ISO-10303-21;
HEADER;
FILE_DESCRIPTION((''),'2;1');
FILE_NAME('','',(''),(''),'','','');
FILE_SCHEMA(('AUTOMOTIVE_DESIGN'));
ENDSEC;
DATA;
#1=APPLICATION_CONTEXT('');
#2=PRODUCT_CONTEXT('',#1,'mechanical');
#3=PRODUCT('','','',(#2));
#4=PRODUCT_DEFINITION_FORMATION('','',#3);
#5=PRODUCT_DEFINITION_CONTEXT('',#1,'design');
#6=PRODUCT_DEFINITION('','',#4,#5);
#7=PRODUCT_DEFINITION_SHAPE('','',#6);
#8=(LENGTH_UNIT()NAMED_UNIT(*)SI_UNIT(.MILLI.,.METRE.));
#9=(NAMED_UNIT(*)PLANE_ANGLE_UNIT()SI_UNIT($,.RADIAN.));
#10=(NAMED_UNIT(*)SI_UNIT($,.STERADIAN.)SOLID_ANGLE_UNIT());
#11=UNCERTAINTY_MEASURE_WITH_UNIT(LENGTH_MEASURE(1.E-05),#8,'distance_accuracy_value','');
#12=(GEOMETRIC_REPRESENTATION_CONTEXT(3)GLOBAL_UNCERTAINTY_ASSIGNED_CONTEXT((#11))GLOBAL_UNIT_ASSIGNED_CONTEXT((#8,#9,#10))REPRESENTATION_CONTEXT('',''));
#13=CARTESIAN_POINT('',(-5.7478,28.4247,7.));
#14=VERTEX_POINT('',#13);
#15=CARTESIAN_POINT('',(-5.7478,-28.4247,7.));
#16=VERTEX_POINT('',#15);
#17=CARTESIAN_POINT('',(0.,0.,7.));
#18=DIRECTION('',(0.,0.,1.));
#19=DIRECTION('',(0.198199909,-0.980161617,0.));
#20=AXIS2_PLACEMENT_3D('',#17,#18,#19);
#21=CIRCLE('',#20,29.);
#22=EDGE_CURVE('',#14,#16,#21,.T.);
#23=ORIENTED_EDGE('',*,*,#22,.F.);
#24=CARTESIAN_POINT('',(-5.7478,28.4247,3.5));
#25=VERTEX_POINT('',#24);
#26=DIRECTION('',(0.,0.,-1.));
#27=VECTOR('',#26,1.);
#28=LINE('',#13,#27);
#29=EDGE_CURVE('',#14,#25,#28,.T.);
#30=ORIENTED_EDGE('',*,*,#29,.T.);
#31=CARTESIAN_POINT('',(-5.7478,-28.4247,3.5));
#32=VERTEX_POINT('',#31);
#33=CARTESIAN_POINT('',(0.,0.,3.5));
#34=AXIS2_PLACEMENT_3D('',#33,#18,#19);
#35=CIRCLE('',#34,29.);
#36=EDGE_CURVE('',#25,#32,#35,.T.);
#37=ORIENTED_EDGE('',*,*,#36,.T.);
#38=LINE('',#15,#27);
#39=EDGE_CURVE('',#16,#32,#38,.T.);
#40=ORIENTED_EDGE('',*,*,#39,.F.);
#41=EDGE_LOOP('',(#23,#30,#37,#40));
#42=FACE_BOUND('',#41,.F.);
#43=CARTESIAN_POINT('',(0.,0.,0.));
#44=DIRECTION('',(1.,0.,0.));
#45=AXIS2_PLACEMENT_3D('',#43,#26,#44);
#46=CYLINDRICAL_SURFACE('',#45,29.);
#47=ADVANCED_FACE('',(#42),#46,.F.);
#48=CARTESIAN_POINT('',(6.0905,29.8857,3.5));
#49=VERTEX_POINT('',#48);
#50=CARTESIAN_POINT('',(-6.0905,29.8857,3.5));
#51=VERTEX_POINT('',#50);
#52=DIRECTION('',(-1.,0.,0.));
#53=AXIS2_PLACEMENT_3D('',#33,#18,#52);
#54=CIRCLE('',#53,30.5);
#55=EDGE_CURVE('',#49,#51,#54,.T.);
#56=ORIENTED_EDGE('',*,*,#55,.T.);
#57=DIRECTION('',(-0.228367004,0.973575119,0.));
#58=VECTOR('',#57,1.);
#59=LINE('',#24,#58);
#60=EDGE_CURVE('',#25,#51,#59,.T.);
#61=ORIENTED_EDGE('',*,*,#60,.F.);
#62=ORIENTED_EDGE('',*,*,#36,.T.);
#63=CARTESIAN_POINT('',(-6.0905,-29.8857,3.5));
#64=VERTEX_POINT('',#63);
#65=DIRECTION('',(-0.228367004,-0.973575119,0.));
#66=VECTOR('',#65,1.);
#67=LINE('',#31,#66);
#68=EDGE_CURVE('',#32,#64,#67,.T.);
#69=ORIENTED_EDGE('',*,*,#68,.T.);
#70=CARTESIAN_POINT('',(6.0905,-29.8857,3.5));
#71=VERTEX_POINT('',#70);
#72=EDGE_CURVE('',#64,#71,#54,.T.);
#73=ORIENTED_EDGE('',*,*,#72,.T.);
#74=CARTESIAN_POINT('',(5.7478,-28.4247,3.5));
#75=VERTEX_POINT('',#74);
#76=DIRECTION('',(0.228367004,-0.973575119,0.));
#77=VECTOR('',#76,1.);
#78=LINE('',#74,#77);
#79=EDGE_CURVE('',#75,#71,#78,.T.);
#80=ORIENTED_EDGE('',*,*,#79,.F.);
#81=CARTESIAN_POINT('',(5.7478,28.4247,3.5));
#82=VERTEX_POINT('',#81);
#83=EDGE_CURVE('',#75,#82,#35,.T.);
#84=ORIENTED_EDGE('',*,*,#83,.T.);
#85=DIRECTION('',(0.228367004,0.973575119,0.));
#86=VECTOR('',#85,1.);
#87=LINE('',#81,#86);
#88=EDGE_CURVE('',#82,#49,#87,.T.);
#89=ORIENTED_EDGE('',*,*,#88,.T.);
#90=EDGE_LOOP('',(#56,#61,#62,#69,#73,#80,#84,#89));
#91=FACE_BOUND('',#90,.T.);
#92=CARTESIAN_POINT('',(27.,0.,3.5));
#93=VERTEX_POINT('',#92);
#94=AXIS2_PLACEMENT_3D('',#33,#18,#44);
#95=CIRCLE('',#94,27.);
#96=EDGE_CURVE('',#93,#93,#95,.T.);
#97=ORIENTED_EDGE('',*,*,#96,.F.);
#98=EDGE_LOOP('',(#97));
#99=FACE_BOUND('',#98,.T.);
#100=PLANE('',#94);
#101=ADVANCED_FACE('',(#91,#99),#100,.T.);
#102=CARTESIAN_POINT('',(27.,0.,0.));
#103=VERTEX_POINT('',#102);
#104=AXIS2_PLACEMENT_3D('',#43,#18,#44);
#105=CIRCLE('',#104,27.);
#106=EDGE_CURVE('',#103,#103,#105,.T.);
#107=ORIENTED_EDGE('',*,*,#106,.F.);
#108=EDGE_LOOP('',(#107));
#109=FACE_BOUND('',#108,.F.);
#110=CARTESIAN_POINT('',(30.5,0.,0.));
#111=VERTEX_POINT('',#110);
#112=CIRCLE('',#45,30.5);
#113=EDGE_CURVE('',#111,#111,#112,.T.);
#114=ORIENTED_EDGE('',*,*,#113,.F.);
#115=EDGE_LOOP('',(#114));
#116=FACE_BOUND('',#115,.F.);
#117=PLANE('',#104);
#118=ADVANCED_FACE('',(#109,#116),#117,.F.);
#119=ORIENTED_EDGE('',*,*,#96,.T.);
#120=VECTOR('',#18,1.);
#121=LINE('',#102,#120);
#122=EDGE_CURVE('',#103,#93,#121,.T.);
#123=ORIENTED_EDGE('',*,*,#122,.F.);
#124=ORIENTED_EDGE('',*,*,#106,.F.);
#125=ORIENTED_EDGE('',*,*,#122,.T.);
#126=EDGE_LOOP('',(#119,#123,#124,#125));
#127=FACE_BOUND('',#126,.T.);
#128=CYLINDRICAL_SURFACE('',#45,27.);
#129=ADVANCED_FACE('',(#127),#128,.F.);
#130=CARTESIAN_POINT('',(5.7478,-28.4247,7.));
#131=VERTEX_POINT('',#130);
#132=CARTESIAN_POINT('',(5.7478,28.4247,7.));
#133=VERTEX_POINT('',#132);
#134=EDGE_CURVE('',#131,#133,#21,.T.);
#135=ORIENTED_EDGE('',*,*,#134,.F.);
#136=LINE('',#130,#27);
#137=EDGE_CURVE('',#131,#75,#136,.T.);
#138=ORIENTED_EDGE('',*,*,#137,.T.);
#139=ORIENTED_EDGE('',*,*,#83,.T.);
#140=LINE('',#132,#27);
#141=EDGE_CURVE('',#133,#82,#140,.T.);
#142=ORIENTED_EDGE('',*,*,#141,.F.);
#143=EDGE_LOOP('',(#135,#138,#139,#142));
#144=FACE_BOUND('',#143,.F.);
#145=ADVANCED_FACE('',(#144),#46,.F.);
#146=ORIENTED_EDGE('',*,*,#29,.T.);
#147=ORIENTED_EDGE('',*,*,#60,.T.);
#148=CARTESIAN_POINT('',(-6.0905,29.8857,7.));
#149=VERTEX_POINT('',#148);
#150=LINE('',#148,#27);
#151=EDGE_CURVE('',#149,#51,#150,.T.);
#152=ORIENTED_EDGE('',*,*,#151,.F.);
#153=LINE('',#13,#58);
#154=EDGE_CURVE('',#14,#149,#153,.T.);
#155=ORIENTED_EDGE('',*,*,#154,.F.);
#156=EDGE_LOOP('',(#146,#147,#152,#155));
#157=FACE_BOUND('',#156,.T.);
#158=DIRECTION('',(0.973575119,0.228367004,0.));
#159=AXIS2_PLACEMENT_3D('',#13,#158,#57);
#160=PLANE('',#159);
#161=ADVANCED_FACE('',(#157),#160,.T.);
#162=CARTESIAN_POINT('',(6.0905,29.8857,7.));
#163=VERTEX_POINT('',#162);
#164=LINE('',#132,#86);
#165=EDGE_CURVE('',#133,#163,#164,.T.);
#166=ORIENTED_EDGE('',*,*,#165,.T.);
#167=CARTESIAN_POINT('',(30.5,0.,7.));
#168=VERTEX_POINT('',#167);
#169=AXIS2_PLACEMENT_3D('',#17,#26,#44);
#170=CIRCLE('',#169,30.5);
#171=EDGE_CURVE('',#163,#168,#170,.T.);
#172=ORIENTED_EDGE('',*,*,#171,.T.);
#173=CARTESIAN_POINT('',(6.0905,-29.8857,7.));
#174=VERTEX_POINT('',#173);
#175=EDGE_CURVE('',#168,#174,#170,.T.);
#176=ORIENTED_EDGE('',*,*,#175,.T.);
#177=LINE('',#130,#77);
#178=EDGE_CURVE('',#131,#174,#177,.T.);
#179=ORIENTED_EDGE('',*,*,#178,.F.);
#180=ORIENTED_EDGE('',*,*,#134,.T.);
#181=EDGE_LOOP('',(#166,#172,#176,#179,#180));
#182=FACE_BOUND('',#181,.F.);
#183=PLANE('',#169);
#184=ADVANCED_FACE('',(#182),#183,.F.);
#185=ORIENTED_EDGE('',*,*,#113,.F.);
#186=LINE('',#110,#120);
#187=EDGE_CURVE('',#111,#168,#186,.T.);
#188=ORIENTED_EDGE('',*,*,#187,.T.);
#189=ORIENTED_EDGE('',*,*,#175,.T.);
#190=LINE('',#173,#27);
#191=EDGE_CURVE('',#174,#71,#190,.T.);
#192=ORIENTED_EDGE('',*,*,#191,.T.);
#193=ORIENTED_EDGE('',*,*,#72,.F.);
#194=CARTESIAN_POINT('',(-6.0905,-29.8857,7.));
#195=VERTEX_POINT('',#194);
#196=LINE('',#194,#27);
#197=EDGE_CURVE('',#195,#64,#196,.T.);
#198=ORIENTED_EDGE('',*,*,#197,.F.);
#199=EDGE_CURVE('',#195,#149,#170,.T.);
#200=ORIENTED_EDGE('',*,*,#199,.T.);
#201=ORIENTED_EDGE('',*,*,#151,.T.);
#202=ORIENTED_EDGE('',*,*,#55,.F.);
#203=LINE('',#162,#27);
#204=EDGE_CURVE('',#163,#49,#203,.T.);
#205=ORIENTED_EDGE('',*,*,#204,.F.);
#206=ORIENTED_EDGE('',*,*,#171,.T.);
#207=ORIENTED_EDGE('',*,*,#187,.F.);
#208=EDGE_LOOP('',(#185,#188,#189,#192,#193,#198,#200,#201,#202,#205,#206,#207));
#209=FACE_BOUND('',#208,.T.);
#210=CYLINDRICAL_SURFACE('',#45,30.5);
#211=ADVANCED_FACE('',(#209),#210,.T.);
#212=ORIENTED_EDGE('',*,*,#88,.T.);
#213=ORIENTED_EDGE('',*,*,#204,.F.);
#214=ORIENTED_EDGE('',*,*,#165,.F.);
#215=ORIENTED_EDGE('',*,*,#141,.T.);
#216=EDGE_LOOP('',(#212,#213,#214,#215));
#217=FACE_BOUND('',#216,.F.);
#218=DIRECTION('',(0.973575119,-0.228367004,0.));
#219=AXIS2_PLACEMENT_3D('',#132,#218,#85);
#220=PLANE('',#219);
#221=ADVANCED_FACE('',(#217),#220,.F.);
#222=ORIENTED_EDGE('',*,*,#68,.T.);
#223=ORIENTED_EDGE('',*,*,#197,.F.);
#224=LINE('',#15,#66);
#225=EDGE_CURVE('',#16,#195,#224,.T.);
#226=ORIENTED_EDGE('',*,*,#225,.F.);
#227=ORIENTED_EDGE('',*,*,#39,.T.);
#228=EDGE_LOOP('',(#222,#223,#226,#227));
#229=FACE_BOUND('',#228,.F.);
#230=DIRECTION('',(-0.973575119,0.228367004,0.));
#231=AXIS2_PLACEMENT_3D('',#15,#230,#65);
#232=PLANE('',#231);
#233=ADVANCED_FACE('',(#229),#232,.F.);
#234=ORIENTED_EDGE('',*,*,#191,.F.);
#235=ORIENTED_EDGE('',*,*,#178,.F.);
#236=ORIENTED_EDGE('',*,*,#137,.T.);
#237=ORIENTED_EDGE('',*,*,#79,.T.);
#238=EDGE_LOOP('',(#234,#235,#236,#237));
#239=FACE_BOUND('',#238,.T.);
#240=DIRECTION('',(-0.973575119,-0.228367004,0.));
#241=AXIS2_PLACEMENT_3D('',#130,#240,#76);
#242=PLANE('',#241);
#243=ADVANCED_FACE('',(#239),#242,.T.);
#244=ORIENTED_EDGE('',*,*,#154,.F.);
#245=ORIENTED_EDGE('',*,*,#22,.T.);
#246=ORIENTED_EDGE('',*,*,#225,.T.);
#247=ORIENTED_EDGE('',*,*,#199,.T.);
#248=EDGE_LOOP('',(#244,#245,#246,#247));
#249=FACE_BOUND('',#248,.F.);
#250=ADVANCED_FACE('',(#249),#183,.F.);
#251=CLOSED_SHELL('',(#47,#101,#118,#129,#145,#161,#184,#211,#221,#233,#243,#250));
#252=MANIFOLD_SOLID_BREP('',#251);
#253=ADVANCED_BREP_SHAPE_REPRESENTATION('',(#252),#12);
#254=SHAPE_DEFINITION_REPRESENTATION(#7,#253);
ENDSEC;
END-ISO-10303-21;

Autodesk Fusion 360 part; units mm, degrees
sketch "Sketch1" plane through (0, 0, 0) normal (0, 0, 1) x (1, 0, 0)
  circle A0 centre (0, 0) radius 27
  circle A1 centre (0, 0) radius 29
  dimension "d1" = 54
  dimension "d2" = 58
extrude "Extrude1" add sketch "Sketch1" along normal blind 3.5
sketch "Sketch2" plane through (0, 0, 0) normal (0, 0, -1) x (1, 0, 0)
  circle A0 centre (0, 0) radius 27
  circle A1 centre (0, 0) radius 29
  circle A2 centre (0, 0) radius 30.5
  dimension "d5" = 61
extrude "Extrude2" add sketch "Sketch2" against normal blind 7 contours A2
sketch "Sketch3" plane through (0, 0, 7) normal (0, 0, 1) x (-1, 0, 0)
  circle A0 centre (0, 0) radius 29
  circle A1 centre (0, 0) radius 30.5
  line L0 (0, 29.5) -> (-6, 29.5) construction
  line L1 (0, 26) -> (0, 34.5) construction
  line L2 (0, 29.5) -> (6, 29.5) construction
  line L3 (5.7478, 28.4247) -> (6.0905, 29.8857)
  line L4 (-5.7478, 28.4247) -> (-6.0905, 29.8857)
  line L5 (-6, 0) -> (15.5156, 0) construction
  line L6 (5.7478, -28.4247) -> (6.0905, -29.8857)
  line L7 (-5.7478, -28.4247) -> (-6.0905, -29.8857)
  dimension "d8" = 6
extrude "Extrude3" cut sketch "Sketch3" against normal blind 3.5 contours A0 A1 L3 L4
extrude "Extrude4" cut sketch "Sketch3" against normal blind 3.5 contours A0 A1 L6 L7
